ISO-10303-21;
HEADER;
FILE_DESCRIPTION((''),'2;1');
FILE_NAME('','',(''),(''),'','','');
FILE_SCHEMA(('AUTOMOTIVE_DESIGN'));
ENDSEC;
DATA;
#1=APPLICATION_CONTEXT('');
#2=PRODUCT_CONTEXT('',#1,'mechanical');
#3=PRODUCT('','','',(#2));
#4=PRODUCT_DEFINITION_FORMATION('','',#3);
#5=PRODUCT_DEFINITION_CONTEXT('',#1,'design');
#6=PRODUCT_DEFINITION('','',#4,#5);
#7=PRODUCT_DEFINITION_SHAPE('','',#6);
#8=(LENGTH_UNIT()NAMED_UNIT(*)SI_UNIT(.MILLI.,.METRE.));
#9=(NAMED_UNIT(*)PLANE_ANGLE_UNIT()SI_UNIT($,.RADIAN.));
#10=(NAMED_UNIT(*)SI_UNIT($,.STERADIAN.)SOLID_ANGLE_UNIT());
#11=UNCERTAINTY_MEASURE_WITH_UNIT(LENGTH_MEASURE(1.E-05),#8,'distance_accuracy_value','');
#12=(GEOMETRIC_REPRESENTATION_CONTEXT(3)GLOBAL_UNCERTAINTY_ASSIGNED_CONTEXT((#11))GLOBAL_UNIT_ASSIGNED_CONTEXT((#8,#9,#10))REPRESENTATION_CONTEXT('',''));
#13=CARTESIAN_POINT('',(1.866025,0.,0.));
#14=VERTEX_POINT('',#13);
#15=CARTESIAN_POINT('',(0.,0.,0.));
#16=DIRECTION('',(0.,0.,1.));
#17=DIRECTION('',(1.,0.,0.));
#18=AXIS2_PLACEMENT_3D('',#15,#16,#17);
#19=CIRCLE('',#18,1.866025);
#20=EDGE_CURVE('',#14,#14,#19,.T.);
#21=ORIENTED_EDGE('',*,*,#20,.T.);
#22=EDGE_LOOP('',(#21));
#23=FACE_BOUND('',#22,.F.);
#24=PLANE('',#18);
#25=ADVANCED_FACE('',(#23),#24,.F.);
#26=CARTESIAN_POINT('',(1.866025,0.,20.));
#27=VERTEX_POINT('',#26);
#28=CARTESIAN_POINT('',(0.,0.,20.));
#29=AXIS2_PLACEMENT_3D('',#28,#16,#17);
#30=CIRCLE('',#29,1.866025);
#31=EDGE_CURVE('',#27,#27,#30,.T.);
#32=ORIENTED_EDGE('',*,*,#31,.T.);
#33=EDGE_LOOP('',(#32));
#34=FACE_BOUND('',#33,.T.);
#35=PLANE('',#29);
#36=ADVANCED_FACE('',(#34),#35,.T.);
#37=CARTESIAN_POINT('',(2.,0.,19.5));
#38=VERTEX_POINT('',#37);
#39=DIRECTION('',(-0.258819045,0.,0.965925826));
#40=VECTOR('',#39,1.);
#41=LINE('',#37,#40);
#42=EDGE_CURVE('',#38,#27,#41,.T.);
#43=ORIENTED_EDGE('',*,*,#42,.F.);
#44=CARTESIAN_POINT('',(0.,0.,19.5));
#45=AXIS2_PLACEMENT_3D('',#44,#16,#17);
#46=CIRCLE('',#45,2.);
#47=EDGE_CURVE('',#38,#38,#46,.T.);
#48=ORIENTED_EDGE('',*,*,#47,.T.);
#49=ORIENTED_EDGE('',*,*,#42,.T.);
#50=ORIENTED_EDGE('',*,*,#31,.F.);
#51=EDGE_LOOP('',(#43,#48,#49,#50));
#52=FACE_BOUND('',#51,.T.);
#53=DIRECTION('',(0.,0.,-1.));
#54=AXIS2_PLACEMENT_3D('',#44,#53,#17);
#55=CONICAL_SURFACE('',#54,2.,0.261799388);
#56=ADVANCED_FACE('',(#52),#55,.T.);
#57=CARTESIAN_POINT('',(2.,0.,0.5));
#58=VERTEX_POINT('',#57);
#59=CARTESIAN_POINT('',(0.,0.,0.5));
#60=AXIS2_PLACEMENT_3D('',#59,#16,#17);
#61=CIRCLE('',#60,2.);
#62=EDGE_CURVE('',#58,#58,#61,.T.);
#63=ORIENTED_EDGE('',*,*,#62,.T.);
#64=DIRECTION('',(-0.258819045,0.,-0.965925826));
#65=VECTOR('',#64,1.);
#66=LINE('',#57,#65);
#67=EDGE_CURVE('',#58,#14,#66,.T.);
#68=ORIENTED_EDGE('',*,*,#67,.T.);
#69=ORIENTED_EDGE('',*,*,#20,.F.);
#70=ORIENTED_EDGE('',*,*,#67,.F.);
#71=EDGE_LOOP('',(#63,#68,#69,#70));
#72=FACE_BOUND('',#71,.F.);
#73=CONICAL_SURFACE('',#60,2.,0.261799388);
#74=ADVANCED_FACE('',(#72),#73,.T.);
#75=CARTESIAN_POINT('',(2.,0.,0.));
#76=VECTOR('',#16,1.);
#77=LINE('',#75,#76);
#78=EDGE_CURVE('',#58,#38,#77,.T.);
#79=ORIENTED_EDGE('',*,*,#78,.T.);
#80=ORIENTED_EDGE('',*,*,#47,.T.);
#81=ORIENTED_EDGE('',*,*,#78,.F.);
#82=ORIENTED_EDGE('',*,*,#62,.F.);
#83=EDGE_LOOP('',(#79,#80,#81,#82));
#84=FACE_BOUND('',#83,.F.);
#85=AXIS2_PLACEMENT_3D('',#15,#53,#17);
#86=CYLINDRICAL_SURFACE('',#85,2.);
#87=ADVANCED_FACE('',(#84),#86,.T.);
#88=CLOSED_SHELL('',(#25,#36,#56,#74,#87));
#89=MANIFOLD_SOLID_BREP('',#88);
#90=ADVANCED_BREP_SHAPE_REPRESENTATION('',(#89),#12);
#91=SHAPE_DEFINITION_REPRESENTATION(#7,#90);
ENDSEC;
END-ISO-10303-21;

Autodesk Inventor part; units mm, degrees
ref_plane "YZ Plane" through (0, 0, 0) normal (1, 0, 0) x (0, 1, 0)
ref_plane "XZ Plane" through (0, 0, 0) normal (0, 1, 0) x (-1, 0, 0)
ref_plane "XY Plane" through (0, 0, 0) normal (0, 0, 1) x (1, 0, 0)
sketch "スケッチ1" plane through (0, 0, 0) normal (0, 0, 1) x (1, 0, 0)
  circle A0 centre (0, 0) radius 2
  dimension "d0" = 4
extrude "押し出し1" add sketch "スケッチ1" along normal blind 20
chamfer "面取り1" distance 0.5 angle 15 2 edges at (-2, 0, 0) (-2, 0, 20) measured on face at (1.9741, -0.3208, 13.3333)
properties part number "平行ピンD4L20" material "ステンレス鋼"
